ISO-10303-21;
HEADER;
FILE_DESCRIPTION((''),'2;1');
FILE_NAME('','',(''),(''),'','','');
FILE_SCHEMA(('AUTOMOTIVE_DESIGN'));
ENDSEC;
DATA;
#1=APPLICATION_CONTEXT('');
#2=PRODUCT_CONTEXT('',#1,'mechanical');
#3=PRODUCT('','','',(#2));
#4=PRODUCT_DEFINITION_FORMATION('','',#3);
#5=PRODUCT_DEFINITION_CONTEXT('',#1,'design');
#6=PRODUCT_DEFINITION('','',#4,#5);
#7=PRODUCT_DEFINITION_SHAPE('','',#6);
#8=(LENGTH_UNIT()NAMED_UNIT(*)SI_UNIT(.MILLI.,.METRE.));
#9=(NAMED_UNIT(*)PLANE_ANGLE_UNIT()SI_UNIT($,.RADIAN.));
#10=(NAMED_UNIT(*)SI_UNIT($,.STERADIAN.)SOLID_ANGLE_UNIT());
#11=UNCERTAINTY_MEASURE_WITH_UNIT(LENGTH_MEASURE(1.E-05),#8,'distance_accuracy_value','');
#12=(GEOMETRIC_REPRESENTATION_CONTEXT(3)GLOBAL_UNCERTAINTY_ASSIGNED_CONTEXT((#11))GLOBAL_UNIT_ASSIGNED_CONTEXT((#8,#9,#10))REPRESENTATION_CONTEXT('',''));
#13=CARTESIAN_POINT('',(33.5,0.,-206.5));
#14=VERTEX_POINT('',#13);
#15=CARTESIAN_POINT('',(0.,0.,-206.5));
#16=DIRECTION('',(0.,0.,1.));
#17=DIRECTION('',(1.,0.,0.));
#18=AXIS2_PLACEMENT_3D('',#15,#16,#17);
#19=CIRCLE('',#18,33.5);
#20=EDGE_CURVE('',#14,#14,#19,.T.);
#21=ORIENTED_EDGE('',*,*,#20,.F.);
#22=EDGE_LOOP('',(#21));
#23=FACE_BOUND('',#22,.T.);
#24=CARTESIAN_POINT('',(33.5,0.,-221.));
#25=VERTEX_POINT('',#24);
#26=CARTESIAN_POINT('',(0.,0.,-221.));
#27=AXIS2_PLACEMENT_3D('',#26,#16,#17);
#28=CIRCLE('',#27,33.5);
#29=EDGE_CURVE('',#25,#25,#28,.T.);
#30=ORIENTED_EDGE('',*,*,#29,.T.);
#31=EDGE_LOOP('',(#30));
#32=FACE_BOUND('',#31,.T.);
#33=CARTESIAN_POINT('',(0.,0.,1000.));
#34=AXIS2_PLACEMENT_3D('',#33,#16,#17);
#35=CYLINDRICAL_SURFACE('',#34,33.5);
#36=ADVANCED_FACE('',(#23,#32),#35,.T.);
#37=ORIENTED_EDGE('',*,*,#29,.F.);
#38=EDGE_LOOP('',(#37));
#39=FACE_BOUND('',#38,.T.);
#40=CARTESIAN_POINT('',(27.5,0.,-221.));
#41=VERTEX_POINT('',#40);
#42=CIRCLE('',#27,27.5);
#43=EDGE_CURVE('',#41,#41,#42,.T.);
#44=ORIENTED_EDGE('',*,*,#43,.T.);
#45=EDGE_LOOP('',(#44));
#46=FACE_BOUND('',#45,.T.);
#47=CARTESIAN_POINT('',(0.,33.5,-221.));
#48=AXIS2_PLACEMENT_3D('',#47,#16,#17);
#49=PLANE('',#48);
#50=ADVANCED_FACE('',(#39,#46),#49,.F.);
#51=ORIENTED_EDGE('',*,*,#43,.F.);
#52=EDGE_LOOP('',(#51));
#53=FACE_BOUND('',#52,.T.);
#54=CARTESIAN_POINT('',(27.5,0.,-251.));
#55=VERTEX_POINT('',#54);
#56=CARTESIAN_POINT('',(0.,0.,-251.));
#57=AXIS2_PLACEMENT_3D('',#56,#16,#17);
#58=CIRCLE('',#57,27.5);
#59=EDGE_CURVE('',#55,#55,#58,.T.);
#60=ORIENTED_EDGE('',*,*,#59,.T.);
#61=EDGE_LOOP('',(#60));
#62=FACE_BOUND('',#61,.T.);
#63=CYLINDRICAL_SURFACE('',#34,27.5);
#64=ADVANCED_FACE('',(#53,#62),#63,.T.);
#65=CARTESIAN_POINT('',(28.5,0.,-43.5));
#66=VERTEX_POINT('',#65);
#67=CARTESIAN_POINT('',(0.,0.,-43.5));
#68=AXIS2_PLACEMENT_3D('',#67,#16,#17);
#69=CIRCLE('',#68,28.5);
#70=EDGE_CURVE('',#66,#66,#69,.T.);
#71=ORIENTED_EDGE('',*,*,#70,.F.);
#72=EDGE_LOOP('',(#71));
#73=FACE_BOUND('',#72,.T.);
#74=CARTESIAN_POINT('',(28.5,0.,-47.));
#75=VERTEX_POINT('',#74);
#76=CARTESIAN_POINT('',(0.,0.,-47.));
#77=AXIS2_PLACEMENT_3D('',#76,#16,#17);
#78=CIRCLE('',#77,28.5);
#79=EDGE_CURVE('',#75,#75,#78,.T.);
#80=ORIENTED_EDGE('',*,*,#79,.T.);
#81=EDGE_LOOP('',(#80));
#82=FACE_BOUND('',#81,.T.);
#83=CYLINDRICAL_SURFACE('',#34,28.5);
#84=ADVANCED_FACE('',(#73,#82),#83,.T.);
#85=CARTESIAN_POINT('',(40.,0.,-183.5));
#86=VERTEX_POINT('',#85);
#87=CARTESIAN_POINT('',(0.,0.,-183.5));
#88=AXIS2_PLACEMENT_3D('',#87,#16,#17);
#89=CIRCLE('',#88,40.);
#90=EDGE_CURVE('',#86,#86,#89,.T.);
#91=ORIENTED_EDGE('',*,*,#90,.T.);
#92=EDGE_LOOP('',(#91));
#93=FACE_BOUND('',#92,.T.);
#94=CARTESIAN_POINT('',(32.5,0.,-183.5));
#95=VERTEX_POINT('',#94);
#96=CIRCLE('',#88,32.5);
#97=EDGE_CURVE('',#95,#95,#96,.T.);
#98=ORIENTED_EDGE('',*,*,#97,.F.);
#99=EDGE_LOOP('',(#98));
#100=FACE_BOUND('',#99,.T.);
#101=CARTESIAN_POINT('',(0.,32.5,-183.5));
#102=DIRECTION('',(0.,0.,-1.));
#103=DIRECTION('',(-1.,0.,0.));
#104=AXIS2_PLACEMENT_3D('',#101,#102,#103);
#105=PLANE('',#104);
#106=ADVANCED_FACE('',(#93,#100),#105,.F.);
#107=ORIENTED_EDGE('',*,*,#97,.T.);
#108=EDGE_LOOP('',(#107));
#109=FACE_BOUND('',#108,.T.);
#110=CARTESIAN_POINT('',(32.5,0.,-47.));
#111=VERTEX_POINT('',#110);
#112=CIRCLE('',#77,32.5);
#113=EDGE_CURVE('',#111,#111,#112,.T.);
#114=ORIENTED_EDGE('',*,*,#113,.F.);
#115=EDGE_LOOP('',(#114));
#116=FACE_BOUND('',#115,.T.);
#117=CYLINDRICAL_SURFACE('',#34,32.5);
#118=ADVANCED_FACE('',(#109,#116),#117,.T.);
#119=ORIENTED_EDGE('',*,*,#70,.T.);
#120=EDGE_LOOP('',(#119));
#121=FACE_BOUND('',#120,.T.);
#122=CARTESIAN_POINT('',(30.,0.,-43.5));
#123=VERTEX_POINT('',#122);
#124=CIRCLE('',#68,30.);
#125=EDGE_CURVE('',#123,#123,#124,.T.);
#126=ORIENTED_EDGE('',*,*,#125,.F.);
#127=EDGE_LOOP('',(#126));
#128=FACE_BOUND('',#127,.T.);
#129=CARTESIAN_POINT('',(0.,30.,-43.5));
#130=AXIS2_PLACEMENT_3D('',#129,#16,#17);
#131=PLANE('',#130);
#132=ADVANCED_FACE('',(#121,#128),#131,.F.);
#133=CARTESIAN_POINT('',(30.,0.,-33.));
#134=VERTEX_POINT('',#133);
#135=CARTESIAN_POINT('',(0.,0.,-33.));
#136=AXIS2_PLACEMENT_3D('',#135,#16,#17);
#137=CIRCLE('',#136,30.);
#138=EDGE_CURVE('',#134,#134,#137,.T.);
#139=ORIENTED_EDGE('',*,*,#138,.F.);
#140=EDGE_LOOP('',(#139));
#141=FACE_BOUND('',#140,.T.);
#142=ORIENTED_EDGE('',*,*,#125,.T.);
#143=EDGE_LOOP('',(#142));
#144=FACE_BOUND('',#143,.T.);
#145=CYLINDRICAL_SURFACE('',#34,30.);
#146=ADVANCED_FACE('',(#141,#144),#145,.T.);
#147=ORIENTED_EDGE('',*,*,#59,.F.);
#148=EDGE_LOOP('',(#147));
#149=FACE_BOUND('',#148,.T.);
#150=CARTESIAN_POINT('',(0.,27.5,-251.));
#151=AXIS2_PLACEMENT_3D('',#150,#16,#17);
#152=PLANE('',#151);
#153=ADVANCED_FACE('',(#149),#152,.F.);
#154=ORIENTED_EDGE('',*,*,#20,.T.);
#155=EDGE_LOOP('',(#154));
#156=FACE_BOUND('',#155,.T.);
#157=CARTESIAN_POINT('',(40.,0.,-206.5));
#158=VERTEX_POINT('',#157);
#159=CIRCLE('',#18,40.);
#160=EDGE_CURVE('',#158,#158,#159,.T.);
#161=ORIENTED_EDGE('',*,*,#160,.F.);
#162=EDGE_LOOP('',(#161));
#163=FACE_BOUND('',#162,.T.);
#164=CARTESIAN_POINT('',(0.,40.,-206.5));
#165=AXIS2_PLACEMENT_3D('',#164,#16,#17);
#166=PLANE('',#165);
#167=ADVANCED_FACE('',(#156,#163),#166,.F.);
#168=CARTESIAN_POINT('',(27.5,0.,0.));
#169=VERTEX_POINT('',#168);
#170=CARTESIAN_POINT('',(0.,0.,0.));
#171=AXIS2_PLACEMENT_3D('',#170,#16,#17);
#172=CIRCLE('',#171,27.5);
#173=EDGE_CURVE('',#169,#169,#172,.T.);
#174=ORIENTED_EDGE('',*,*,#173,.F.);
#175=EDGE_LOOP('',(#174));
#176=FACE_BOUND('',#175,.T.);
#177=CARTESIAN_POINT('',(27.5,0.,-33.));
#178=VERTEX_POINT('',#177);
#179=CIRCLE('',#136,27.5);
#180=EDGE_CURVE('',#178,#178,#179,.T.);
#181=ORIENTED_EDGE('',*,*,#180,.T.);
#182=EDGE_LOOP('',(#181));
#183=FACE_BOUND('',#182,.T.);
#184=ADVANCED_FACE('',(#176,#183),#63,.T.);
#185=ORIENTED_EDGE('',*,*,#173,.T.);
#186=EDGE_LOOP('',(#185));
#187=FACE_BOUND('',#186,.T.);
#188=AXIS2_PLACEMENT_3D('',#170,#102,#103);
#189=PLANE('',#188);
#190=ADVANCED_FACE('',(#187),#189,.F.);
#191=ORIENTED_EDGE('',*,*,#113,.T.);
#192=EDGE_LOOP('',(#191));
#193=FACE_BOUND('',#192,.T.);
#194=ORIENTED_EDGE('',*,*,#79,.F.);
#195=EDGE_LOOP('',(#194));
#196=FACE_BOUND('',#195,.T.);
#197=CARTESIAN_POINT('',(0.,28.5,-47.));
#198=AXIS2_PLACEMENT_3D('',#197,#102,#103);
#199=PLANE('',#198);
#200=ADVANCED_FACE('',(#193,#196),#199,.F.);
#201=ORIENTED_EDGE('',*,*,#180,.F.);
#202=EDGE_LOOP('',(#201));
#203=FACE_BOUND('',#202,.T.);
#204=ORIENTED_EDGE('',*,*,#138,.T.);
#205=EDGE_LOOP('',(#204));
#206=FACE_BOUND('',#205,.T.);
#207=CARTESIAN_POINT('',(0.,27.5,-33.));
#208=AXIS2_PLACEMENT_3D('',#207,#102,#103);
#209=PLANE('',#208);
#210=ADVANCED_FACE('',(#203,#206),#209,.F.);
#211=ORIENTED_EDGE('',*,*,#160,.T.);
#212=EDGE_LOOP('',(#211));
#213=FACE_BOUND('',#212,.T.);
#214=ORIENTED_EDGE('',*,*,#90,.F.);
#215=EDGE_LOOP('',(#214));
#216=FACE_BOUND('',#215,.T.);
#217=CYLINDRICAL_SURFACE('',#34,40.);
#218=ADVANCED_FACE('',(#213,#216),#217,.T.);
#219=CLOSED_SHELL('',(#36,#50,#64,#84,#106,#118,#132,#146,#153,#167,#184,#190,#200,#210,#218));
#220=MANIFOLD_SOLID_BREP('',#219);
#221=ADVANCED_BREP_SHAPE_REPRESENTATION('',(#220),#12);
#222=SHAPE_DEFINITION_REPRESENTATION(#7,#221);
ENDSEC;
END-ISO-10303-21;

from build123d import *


with BuildPart() as part:
    # 草图1 → 旋转2 (revolve)
    with BuildSketch(Plane(origin=(0, 0, 0), x_dir=(0, 0, -1), z_dir=(1, 0, 0)), mode=Mode.PRIVATE) as revolve_2_sk:
        Polygon((0, 0), (251, 0), (251, 27.5), (221, 27.5), (221, 33.5), (206.5, 33.5), (206.5, 40), (183.5, 40), (183.5, 32.5), (47, 32.5), (47, 28.5), (43.5, 28.5), (43.5, 30), (33, 30), (33, 27.5), (0, 27.5), align=None)
    revolve(revolve_2_sk.sketch.rotate(Axis((0, 0, 1000), (0, 0, -1)), 90), axis=Axis((0, 0, 1000), (0, 0, -1)))


solid = part.part
